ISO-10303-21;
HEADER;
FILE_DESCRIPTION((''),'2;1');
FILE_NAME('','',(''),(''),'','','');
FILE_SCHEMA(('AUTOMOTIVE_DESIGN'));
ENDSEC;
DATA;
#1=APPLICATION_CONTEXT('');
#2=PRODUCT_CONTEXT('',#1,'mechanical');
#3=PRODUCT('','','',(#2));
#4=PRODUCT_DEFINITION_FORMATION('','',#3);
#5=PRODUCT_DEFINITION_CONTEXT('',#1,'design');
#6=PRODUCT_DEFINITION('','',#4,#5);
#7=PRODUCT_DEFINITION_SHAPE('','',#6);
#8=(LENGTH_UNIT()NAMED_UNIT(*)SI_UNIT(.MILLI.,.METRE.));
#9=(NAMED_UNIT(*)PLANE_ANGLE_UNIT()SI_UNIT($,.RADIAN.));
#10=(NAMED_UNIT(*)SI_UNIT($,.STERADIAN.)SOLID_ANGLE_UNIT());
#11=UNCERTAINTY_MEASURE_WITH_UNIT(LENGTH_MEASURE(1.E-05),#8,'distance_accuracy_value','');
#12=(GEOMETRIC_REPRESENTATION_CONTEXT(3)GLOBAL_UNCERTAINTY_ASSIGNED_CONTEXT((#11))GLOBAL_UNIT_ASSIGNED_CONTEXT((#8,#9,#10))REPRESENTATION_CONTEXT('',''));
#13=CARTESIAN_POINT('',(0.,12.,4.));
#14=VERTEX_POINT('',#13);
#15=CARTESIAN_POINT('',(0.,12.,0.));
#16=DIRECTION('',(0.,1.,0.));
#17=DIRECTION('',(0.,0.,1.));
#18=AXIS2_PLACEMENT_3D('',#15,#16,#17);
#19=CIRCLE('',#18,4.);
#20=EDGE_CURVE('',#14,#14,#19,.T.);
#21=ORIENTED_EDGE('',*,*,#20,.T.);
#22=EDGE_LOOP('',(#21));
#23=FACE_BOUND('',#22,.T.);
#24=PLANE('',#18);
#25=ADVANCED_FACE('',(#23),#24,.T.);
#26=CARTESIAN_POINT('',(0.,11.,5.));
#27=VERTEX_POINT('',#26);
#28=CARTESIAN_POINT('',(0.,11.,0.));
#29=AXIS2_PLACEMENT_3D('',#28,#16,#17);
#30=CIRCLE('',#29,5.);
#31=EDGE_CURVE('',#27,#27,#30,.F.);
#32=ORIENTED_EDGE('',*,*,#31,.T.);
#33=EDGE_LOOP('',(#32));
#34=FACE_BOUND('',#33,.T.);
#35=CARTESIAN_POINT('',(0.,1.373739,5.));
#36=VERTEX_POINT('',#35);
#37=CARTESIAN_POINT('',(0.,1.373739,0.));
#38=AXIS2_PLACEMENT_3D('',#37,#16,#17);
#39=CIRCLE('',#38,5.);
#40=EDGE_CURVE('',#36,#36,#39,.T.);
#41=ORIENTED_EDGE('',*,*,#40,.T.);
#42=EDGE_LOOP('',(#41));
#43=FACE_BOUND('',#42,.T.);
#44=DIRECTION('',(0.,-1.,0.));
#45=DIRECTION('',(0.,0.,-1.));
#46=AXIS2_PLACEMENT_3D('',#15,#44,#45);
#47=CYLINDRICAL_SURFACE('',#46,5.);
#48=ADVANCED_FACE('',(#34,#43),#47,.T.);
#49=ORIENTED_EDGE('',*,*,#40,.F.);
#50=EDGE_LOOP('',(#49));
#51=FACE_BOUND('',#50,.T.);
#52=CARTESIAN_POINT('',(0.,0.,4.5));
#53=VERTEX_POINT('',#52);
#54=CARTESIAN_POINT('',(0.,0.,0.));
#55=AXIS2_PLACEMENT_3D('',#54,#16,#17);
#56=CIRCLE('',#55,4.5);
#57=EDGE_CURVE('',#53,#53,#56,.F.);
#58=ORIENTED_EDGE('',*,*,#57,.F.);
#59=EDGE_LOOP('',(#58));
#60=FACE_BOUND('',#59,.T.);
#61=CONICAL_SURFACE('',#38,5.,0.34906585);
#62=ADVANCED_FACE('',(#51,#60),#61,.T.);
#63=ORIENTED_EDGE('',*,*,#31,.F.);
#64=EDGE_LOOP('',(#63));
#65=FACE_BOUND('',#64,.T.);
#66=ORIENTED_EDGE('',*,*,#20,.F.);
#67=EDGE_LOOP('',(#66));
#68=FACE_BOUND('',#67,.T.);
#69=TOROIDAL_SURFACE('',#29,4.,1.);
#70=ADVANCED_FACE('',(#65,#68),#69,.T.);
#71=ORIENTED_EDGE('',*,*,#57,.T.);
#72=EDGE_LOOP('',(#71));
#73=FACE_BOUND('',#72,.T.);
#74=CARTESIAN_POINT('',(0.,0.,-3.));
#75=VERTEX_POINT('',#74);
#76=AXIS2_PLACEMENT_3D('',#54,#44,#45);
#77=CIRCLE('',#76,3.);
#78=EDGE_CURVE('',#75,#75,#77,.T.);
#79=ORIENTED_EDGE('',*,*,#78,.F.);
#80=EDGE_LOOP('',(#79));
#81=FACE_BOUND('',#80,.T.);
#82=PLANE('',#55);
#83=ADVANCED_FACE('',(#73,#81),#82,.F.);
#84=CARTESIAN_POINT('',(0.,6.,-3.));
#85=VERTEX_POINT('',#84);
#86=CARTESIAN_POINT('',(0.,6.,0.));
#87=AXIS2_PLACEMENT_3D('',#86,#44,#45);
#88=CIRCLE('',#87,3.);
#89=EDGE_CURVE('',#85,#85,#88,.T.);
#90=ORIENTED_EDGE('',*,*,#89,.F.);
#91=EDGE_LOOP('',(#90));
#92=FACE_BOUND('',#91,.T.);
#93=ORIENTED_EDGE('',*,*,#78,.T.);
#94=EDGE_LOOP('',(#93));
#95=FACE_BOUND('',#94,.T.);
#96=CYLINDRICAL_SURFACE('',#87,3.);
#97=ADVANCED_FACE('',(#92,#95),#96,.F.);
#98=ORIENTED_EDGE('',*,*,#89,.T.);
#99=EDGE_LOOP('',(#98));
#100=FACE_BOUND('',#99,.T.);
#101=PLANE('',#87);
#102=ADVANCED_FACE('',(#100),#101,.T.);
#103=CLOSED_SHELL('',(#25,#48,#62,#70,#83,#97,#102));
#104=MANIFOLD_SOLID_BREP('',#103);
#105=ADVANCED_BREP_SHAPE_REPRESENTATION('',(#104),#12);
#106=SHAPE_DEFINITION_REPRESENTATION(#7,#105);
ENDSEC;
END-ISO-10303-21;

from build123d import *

# Parameters (mm, degrees)
SKETCH1_R           = 5
BOSS_EXTRUDE1_DEPTH = 12
SKETCH2_R           = 3
CUT_EXTRUDE1_DEPTH  = 6
FILLET1_R           = 1
CHAMFER1_SIZE       = 0.5
CHAMFER1_SIZE2      = 1.37373871


with BuildPart() as part:
    # Sketch1 → Boss-Extrude1 (new body)
    with BuildSketch(Plane(origin=(0, 0, 0), x_dir=(1, 0, 0), z_dir=(0, 1, 0))):
        Circle(SKETCH1_R)
    extrude(amount=BOSS_EXTRUDE1_DEPTH)

    # Sketch2 → Cut-Extrude1 (cut)
    with BuildSketch(Plane.XZ):
        Circle(SKETCH2_R)
    extrude(amount=-CUT_EXTRUDE1_DEPTH, mode=Mode.SUBTRACT)

    # Fillet1
    fillet1_edges = [part.edges().sort_by_distance(p)[0] for p in [
        (-5, 12, 0),
    ]]
    fillet(fillet1_edges, radius=FILLET1_R)

    # Chamfer1
    chamfer1_edges = [part.edges().sort_by_distance(p)[0] for p in [
        (-5, 0, 0),
    ]]
    chamfer1_side = [part.faces().sort_by_distance(p)[0] for p in [
        (-4.858578644, 0, 0),
    ]]
    chamfer(chamfer1_edges, length=CHAMFER1_SIZE, length2=CHAMFER1_SIZE2, reference=chamfer1_side[0])


solid = part.part
